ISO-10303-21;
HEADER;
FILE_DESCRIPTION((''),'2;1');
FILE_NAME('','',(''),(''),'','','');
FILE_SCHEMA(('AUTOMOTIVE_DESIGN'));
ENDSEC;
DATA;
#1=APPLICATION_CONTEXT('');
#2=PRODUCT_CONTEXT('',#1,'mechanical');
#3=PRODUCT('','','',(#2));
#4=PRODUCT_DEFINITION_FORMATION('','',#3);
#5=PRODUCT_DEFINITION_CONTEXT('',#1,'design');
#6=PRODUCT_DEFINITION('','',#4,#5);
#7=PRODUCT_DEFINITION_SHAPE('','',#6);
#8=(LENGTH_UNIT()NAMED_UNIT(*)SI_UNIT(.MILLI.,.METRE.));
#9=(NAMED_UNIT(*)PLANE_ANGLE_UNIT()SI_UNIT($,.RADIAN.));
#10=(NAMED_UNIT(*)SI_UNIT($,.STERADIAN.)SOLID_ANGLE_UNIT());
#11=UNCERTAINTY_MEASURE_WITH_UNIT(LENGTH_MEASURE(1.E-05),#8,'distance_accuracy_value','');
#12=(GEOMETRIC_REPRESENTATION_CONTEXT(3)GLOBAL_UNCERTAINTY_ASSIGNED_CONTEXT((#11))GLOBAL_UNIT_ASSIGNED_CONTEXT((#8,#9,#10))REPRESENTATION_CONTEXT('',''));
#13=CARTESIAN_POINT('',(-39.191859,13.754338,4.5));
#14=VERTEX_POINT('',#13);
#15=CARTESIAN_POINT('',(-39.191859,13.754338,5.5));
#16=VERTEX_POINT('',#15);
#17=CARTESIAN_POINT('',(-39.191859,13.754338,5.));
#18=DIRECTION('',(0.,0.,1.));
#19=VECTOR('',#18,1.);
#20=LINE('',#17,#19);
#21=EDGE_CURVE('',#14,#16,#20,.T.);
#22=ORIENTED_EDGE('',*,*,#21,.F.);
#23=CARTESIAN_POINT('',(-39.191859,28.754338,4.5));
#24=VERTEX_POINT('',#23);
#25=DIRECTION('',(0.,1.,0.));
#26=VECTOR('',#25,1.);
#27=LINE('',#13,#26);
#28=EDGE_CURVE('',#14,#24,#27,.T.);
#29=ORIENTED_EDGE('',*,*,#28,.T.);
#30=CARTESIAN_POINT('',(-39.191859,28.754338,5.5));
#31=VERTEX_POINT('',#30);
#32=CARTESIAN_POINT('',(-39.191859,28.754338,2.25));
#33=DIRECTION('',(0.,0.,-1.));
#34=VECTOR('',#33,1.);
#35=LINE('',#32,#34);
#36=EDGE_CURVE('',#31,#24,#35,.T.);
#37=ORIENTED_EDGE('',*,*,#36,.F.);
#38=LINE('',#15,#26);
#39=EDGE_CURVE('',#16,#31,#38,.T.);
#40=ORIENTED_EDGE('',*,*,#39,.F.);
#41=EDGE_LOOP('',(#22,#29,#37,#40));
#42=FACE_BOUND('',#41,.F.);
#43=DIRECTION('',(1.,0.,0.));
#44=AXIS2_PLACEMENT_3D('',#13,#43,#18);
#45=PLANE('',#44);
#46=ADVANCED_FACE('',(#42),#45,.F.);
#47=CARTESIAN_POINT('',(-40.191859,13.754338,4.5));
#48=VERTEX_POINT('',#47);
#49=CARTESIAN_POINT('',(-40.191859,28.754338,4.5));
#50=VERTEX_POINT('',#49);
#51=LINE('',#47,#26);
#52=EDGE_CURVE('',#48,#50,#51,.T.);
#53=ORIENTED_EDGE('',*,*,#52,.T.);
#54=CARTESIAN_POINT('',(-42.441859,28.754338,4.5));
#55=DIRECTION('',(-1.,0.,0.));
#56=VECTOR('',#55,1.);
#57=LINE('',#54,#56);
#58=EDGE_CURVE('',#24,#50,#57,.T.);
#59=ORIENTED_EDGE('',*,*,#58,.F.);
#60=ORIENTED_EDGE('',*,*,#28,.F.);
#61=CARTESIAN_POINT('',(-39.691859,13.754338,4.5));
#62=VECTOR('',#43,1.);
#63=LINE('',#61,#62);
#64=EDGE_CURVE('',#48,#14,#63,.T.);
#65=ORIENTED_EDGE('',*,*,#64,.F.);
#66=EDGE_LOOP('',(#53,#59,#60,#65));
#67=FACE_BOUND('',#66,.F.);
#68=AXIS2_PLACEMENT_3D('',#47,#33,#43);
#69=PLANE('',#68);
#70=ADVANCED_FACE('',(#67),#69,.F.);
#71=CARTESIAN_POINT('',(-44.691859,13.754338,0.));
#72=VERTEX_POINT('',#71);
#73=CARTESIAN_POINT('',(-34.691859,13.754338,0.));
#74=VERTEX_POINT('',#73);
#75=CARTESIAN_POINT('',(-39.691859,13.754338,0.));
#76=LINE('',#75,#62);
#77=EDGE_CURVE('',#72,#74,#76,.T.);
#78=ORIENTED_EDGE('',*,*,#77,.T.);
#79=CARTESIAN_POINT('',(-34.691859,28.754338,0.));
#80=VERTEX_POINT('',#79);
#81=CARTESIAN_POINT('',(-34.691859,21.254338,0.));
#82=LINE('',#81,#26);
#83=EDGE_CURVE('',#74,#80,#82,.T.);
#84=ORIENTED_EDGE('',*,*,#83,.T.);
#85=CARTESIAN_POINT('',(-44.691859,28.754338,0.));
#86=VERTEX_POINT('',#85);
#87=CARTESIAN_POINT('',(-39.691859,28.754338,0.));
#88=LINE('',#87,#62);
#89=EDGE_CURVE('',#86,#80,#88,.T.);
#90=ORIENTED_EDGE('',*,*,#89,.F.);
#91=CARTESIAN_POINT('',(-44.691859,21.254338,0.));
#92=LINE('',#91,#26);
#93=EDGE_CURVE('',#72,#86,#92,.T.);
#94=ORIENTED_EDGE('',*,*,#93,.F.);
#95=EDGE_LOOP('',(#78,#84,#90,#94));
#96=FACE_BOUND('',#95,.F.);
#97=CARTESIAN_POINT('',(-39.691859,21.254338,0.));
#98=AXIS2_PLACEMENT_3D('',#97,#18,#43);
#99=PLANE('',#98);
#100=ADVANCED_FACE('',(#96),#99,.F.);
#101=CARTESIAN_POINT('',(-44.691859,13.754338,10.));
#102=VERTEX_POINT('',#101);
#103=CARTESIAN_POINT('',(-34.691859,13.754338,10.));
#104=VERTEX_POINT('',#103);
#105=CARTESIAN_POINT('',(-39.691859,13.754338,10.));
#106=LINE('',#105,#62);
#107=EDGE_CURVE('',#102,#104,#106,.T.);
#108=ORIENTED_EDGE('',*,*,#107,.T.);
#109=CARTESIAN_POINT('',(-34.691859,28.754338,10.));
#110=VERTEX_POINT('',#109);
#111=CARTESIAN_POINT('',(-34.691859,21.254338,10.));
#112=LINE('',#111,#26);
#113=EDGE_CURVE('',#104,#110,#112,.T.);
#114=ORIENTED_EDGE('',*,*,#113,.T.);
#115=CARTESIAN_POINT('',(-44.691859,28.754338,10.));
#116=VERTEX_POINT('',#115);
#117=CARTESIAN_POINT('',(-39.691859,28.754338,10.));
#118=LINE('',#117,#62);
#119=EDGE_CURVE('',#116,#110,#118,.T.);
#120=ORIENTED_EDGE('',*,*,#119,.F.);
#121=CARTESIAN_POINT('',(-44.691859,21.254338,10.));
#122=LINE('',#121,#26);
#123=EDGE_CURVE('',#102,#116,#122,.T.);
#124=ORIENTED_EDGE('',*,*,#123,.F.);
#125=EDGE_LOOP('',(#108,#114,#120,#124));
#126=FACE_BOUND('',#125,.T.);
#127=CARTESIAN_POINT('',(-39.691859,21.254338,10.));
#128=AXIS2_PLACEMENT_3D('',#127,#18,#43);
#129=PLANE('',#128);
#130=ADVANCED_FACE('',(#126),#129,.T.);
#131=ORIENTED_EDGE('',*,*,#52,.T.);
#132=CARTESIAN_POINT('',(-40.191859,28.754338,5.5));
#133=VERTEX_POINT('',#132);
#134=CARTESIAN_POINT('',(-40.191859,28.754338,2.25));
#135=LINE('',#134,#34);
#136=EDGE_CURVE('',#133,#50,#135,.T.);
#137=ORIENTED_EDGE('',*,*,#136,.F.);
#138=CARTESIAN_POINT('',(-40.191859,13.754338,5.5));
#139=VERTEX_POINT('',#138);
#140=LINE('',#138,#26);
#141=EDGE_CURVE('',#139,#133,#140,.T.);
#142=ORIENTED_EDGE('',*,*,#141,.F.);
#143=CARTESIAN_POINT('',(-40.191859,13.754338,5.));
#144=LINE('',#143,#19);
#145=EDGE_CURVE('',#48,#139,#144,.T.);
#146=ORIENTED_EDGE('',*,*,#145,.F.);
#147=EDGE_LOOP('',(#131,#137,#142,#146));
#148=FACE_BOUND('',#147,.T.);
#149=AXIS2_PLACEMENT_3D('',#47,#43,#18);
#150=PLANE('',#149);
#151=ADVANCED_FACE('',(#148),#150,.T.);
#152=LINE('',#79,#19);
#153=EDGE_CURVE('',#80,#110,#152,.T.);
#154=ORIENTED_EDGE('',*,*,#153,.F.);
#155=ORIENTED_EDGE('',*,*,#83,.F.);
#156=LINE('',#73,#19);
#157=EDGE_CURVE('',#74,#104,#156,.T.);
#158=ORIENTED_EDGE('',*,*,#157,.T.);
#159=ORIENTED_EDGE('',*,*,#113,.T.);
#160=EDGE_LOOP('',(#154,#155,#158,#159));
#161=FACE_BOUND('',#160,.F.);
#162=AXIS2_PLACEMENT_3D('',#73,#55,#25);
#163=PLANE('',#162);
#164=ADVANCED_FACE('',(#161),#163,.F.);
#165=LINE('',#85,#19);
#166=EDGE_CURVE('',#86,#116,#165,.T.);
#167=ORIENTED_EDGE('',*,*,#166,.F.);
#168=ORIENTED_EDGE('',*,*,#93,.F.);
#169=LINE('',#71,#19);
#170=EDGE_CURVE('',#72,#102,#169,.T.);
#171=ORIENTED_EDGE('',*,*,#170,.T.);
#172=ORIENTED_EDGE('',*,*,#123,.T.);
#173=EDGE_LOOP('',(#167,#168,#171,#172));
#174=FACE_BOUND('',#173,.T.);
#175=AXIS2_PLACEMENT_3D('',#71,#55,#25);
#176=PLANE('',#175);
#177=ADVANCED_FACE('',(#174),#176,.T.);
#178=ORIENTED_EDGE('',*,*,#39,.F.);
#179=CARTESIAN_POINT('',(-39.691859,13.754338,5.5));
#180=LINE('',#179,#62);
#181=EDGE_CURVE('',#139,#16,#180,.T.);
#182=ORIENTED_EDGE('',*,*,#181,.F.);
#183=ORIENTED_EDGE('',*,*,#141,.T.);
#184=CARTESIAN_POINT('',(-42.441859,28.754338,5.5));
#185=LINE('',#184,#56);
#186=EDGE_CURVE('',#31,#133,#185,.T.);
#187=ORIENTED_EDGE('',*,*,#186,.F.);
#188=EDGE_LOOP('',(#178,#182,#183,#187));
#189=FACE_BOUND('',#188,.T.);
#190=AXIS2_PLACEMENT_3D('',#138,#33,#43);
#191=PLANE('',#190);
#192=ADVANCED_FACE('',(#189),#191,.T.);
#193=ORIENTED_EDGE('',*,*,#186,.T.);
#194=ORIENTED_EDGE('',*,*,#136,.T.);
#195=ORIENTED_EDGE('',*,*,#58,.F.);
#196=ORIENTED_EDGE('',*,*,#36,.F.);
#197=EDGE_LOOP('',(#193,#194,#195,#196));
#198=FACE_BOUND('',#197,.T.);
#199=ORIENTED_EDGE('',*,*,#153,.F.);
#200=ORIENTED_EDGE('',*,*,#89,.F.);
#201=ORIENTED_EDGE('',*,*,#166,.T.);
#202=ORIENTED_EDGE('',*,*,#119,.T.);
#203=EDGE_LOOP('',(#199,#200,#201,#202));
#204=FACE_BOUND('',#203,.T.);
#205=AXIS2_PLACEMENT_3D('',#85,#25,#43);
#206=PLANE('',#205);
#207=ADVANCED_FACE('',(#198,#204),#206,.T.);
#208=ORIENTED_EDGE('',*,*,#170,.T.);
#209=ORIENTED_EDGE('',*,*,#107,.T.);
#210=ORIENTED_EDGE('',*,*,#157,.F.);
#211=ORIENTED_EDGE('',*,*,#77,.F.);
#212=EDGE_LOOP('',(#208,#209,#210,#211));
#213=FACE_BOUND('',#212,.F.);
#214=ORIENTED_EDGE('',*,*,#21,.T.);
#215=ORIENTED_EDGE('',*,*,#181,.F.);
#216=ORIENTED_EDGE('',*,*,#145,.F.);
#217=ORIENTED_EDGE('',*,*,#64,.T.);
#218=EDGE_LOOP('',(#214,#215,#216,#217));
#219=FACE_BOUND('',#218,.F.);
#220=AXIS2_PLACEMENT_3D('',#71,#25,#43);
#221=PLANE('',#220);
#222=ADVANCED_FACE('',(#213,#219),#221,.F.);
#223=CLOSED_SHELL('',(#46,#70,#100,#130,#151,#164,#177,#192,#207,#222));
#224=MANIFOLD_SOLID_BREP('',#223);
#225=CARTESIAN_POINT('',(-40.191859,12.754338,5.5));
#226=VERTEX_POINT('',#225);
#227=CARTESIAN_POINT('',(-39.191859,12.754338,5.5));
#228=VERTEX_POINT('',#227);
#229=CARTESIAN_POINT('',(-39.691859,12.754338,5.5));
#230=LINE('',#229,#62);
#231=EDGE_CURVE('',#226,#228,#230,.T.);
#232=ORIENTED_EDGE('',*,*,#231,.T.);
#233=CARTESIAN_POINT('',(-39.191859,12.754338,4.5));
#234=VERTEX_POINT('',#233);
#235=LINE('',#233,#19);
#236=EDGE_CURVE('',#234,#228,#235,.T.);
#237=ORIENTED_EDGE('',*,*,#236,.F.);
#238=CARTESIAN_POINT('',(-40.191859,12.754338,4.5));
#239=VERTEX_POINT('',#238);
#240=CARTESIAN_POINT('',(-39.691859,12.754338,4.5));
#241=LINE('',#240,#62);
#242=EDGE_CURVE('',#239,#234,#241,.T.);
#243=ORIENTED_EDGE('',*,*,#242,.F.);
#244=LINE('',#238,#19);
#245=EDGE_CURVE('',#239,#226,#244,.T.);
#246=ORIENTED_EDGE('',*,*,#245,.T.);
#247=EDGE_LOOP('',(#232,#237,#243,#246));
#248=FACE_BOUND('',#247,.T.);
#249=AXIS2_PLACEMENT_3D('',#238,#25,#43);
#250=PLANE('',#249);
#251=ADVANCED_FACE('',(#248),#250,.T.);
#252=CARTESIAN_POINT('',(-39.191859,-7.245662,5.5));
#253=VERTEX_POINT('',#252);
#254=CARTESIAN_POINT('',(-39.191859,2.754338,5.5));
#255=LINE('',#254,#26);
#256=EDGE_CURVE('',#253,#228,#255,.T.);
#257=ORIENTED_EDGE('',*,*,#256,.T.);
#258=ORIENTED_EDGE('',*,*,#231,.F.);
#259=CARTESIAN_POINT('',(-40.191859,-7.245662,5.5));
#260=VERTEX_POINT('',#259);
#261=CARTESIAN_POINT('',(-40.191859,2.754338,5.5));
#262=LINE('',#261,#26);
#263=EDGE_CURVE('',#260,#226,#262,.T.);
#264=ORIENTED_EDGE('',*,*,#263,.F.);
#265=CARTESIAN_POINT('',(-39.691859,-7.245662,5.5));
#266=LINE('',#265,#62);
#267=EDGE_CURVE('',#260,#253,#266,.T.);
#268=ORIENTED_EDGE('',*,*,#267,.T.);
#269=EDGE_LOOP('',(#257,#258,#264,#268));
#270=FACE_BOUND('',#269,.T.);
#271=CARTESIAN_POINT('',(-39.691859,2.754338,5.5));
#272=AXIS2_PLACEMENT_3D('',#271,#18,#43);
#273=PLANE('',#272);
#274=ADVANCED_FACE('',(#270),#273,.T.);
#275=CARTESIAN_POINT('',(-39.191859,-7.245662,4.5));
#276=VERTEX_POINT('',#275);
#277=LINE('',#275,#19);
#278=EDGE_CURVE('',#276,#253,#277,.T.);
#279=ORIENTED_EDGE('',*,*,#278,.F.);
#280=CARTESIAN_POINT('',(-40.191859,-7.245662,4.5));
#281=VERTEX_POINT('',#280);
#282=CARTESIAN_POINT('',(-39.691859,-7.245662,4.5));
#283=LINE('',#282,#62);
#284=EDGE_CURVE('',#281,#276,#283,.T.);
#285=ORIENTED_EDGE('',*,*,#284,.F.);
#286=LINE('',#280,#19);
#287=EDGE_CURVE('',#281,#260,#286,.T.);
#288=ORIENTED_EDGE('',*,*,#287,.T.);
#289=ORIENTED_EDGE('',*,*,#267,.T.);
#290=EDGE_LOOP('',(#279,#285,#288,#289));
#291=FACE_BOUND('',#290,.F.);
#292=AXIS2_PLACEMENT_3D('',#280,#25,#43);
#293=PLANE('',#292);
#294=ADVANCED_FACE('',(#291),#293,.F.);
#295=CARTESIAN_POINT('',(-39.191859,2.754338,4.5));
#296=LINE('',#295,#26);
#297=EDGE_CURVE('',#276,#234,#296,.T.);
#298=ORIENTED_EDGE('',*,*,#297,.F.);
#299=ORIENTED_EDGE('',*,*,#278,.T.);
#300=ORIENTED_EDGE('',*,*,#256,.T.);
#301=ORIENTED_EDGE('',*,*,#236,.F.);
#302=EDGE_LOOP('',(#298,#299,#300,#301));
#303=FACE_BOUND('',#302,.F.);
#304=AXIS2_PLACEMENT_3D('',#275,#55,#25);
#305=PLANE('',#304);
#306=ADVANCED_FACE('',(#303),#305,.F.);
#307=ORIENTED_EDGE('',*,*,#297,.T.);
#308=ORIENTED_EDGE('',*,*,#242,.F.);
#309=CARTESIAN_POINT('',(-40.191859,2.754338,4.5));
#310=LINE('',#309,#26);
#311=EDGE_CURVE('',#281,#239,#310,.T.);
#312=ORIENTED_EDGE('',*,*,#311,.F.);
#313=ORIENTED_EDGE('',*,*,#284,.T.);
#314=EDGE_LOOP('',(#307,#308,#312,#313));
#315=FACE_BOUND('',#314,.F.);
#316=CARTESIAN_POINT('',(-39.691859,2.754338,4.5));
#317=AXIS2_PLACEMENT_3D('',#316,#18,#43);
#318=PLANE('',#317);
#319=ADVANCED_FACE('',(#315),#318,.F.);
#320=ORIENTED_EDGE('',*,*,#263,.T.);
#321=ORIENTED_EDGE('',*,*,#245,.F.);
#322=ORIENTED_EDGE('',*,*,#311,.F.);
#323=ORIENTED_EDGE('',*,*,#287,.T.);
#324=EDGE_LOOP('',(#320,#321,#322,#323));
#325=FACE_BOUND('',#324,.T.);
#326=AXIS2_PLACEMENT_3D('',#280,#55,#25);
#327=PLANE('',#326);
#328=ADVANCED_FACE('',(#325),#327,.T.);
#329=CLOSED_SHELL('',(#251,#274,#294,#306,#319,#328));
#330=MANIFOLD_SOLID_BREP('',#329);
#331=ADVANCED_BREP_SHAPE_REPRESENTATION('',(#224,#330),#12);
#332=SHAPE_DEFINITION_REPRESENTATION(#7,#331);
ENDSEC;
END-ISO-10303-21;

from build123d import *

# Parameters (mm, degrees)
F0_W     = 1
F0_H     = 20
F1_DEPTH = 1
F0_W_2   = 10
F0_H_2   = 15
F2_DEPTH = 10
F3_W     = 1
F3_H     = 1
F4_DEPTH = 25


with BuildPart() as f1:
    # F0 (on Top) → F1 (new body)
    with BuildSketch(Plane.XY):
        with Locations((-39.691859, 2.754338)):
            Rectangle(F0_W, F0_H)
    extrude(amount=F1_DEPTH)


with BuildPart() as f2:
    # F0 (on Top) → F2 (new body)
    with BuildSketch(Plane.XY):
        with Locations((-39.691859, 21.254338)):
            Rectangle(F0_W_2, F0_H_2)
    extrude(amount=F2_DEPTH)

    # F3 (on face) → F4 (cut)
    with BuildSketch(Plane.XZ.offset(-13.754338)):
        with Locations((-39.691859, 5)):
            Rectangle(F3_W, F3_H)
    extrude(amount=-F4_DEPTH, mode=Mode.SUBTRACT)


with BuildPart() as f1_1:
    # F5: moved
    add(f1.part.moved(Location((0, 0, 4.5))))


solid = Compound([f2.part, f1_1.part])
